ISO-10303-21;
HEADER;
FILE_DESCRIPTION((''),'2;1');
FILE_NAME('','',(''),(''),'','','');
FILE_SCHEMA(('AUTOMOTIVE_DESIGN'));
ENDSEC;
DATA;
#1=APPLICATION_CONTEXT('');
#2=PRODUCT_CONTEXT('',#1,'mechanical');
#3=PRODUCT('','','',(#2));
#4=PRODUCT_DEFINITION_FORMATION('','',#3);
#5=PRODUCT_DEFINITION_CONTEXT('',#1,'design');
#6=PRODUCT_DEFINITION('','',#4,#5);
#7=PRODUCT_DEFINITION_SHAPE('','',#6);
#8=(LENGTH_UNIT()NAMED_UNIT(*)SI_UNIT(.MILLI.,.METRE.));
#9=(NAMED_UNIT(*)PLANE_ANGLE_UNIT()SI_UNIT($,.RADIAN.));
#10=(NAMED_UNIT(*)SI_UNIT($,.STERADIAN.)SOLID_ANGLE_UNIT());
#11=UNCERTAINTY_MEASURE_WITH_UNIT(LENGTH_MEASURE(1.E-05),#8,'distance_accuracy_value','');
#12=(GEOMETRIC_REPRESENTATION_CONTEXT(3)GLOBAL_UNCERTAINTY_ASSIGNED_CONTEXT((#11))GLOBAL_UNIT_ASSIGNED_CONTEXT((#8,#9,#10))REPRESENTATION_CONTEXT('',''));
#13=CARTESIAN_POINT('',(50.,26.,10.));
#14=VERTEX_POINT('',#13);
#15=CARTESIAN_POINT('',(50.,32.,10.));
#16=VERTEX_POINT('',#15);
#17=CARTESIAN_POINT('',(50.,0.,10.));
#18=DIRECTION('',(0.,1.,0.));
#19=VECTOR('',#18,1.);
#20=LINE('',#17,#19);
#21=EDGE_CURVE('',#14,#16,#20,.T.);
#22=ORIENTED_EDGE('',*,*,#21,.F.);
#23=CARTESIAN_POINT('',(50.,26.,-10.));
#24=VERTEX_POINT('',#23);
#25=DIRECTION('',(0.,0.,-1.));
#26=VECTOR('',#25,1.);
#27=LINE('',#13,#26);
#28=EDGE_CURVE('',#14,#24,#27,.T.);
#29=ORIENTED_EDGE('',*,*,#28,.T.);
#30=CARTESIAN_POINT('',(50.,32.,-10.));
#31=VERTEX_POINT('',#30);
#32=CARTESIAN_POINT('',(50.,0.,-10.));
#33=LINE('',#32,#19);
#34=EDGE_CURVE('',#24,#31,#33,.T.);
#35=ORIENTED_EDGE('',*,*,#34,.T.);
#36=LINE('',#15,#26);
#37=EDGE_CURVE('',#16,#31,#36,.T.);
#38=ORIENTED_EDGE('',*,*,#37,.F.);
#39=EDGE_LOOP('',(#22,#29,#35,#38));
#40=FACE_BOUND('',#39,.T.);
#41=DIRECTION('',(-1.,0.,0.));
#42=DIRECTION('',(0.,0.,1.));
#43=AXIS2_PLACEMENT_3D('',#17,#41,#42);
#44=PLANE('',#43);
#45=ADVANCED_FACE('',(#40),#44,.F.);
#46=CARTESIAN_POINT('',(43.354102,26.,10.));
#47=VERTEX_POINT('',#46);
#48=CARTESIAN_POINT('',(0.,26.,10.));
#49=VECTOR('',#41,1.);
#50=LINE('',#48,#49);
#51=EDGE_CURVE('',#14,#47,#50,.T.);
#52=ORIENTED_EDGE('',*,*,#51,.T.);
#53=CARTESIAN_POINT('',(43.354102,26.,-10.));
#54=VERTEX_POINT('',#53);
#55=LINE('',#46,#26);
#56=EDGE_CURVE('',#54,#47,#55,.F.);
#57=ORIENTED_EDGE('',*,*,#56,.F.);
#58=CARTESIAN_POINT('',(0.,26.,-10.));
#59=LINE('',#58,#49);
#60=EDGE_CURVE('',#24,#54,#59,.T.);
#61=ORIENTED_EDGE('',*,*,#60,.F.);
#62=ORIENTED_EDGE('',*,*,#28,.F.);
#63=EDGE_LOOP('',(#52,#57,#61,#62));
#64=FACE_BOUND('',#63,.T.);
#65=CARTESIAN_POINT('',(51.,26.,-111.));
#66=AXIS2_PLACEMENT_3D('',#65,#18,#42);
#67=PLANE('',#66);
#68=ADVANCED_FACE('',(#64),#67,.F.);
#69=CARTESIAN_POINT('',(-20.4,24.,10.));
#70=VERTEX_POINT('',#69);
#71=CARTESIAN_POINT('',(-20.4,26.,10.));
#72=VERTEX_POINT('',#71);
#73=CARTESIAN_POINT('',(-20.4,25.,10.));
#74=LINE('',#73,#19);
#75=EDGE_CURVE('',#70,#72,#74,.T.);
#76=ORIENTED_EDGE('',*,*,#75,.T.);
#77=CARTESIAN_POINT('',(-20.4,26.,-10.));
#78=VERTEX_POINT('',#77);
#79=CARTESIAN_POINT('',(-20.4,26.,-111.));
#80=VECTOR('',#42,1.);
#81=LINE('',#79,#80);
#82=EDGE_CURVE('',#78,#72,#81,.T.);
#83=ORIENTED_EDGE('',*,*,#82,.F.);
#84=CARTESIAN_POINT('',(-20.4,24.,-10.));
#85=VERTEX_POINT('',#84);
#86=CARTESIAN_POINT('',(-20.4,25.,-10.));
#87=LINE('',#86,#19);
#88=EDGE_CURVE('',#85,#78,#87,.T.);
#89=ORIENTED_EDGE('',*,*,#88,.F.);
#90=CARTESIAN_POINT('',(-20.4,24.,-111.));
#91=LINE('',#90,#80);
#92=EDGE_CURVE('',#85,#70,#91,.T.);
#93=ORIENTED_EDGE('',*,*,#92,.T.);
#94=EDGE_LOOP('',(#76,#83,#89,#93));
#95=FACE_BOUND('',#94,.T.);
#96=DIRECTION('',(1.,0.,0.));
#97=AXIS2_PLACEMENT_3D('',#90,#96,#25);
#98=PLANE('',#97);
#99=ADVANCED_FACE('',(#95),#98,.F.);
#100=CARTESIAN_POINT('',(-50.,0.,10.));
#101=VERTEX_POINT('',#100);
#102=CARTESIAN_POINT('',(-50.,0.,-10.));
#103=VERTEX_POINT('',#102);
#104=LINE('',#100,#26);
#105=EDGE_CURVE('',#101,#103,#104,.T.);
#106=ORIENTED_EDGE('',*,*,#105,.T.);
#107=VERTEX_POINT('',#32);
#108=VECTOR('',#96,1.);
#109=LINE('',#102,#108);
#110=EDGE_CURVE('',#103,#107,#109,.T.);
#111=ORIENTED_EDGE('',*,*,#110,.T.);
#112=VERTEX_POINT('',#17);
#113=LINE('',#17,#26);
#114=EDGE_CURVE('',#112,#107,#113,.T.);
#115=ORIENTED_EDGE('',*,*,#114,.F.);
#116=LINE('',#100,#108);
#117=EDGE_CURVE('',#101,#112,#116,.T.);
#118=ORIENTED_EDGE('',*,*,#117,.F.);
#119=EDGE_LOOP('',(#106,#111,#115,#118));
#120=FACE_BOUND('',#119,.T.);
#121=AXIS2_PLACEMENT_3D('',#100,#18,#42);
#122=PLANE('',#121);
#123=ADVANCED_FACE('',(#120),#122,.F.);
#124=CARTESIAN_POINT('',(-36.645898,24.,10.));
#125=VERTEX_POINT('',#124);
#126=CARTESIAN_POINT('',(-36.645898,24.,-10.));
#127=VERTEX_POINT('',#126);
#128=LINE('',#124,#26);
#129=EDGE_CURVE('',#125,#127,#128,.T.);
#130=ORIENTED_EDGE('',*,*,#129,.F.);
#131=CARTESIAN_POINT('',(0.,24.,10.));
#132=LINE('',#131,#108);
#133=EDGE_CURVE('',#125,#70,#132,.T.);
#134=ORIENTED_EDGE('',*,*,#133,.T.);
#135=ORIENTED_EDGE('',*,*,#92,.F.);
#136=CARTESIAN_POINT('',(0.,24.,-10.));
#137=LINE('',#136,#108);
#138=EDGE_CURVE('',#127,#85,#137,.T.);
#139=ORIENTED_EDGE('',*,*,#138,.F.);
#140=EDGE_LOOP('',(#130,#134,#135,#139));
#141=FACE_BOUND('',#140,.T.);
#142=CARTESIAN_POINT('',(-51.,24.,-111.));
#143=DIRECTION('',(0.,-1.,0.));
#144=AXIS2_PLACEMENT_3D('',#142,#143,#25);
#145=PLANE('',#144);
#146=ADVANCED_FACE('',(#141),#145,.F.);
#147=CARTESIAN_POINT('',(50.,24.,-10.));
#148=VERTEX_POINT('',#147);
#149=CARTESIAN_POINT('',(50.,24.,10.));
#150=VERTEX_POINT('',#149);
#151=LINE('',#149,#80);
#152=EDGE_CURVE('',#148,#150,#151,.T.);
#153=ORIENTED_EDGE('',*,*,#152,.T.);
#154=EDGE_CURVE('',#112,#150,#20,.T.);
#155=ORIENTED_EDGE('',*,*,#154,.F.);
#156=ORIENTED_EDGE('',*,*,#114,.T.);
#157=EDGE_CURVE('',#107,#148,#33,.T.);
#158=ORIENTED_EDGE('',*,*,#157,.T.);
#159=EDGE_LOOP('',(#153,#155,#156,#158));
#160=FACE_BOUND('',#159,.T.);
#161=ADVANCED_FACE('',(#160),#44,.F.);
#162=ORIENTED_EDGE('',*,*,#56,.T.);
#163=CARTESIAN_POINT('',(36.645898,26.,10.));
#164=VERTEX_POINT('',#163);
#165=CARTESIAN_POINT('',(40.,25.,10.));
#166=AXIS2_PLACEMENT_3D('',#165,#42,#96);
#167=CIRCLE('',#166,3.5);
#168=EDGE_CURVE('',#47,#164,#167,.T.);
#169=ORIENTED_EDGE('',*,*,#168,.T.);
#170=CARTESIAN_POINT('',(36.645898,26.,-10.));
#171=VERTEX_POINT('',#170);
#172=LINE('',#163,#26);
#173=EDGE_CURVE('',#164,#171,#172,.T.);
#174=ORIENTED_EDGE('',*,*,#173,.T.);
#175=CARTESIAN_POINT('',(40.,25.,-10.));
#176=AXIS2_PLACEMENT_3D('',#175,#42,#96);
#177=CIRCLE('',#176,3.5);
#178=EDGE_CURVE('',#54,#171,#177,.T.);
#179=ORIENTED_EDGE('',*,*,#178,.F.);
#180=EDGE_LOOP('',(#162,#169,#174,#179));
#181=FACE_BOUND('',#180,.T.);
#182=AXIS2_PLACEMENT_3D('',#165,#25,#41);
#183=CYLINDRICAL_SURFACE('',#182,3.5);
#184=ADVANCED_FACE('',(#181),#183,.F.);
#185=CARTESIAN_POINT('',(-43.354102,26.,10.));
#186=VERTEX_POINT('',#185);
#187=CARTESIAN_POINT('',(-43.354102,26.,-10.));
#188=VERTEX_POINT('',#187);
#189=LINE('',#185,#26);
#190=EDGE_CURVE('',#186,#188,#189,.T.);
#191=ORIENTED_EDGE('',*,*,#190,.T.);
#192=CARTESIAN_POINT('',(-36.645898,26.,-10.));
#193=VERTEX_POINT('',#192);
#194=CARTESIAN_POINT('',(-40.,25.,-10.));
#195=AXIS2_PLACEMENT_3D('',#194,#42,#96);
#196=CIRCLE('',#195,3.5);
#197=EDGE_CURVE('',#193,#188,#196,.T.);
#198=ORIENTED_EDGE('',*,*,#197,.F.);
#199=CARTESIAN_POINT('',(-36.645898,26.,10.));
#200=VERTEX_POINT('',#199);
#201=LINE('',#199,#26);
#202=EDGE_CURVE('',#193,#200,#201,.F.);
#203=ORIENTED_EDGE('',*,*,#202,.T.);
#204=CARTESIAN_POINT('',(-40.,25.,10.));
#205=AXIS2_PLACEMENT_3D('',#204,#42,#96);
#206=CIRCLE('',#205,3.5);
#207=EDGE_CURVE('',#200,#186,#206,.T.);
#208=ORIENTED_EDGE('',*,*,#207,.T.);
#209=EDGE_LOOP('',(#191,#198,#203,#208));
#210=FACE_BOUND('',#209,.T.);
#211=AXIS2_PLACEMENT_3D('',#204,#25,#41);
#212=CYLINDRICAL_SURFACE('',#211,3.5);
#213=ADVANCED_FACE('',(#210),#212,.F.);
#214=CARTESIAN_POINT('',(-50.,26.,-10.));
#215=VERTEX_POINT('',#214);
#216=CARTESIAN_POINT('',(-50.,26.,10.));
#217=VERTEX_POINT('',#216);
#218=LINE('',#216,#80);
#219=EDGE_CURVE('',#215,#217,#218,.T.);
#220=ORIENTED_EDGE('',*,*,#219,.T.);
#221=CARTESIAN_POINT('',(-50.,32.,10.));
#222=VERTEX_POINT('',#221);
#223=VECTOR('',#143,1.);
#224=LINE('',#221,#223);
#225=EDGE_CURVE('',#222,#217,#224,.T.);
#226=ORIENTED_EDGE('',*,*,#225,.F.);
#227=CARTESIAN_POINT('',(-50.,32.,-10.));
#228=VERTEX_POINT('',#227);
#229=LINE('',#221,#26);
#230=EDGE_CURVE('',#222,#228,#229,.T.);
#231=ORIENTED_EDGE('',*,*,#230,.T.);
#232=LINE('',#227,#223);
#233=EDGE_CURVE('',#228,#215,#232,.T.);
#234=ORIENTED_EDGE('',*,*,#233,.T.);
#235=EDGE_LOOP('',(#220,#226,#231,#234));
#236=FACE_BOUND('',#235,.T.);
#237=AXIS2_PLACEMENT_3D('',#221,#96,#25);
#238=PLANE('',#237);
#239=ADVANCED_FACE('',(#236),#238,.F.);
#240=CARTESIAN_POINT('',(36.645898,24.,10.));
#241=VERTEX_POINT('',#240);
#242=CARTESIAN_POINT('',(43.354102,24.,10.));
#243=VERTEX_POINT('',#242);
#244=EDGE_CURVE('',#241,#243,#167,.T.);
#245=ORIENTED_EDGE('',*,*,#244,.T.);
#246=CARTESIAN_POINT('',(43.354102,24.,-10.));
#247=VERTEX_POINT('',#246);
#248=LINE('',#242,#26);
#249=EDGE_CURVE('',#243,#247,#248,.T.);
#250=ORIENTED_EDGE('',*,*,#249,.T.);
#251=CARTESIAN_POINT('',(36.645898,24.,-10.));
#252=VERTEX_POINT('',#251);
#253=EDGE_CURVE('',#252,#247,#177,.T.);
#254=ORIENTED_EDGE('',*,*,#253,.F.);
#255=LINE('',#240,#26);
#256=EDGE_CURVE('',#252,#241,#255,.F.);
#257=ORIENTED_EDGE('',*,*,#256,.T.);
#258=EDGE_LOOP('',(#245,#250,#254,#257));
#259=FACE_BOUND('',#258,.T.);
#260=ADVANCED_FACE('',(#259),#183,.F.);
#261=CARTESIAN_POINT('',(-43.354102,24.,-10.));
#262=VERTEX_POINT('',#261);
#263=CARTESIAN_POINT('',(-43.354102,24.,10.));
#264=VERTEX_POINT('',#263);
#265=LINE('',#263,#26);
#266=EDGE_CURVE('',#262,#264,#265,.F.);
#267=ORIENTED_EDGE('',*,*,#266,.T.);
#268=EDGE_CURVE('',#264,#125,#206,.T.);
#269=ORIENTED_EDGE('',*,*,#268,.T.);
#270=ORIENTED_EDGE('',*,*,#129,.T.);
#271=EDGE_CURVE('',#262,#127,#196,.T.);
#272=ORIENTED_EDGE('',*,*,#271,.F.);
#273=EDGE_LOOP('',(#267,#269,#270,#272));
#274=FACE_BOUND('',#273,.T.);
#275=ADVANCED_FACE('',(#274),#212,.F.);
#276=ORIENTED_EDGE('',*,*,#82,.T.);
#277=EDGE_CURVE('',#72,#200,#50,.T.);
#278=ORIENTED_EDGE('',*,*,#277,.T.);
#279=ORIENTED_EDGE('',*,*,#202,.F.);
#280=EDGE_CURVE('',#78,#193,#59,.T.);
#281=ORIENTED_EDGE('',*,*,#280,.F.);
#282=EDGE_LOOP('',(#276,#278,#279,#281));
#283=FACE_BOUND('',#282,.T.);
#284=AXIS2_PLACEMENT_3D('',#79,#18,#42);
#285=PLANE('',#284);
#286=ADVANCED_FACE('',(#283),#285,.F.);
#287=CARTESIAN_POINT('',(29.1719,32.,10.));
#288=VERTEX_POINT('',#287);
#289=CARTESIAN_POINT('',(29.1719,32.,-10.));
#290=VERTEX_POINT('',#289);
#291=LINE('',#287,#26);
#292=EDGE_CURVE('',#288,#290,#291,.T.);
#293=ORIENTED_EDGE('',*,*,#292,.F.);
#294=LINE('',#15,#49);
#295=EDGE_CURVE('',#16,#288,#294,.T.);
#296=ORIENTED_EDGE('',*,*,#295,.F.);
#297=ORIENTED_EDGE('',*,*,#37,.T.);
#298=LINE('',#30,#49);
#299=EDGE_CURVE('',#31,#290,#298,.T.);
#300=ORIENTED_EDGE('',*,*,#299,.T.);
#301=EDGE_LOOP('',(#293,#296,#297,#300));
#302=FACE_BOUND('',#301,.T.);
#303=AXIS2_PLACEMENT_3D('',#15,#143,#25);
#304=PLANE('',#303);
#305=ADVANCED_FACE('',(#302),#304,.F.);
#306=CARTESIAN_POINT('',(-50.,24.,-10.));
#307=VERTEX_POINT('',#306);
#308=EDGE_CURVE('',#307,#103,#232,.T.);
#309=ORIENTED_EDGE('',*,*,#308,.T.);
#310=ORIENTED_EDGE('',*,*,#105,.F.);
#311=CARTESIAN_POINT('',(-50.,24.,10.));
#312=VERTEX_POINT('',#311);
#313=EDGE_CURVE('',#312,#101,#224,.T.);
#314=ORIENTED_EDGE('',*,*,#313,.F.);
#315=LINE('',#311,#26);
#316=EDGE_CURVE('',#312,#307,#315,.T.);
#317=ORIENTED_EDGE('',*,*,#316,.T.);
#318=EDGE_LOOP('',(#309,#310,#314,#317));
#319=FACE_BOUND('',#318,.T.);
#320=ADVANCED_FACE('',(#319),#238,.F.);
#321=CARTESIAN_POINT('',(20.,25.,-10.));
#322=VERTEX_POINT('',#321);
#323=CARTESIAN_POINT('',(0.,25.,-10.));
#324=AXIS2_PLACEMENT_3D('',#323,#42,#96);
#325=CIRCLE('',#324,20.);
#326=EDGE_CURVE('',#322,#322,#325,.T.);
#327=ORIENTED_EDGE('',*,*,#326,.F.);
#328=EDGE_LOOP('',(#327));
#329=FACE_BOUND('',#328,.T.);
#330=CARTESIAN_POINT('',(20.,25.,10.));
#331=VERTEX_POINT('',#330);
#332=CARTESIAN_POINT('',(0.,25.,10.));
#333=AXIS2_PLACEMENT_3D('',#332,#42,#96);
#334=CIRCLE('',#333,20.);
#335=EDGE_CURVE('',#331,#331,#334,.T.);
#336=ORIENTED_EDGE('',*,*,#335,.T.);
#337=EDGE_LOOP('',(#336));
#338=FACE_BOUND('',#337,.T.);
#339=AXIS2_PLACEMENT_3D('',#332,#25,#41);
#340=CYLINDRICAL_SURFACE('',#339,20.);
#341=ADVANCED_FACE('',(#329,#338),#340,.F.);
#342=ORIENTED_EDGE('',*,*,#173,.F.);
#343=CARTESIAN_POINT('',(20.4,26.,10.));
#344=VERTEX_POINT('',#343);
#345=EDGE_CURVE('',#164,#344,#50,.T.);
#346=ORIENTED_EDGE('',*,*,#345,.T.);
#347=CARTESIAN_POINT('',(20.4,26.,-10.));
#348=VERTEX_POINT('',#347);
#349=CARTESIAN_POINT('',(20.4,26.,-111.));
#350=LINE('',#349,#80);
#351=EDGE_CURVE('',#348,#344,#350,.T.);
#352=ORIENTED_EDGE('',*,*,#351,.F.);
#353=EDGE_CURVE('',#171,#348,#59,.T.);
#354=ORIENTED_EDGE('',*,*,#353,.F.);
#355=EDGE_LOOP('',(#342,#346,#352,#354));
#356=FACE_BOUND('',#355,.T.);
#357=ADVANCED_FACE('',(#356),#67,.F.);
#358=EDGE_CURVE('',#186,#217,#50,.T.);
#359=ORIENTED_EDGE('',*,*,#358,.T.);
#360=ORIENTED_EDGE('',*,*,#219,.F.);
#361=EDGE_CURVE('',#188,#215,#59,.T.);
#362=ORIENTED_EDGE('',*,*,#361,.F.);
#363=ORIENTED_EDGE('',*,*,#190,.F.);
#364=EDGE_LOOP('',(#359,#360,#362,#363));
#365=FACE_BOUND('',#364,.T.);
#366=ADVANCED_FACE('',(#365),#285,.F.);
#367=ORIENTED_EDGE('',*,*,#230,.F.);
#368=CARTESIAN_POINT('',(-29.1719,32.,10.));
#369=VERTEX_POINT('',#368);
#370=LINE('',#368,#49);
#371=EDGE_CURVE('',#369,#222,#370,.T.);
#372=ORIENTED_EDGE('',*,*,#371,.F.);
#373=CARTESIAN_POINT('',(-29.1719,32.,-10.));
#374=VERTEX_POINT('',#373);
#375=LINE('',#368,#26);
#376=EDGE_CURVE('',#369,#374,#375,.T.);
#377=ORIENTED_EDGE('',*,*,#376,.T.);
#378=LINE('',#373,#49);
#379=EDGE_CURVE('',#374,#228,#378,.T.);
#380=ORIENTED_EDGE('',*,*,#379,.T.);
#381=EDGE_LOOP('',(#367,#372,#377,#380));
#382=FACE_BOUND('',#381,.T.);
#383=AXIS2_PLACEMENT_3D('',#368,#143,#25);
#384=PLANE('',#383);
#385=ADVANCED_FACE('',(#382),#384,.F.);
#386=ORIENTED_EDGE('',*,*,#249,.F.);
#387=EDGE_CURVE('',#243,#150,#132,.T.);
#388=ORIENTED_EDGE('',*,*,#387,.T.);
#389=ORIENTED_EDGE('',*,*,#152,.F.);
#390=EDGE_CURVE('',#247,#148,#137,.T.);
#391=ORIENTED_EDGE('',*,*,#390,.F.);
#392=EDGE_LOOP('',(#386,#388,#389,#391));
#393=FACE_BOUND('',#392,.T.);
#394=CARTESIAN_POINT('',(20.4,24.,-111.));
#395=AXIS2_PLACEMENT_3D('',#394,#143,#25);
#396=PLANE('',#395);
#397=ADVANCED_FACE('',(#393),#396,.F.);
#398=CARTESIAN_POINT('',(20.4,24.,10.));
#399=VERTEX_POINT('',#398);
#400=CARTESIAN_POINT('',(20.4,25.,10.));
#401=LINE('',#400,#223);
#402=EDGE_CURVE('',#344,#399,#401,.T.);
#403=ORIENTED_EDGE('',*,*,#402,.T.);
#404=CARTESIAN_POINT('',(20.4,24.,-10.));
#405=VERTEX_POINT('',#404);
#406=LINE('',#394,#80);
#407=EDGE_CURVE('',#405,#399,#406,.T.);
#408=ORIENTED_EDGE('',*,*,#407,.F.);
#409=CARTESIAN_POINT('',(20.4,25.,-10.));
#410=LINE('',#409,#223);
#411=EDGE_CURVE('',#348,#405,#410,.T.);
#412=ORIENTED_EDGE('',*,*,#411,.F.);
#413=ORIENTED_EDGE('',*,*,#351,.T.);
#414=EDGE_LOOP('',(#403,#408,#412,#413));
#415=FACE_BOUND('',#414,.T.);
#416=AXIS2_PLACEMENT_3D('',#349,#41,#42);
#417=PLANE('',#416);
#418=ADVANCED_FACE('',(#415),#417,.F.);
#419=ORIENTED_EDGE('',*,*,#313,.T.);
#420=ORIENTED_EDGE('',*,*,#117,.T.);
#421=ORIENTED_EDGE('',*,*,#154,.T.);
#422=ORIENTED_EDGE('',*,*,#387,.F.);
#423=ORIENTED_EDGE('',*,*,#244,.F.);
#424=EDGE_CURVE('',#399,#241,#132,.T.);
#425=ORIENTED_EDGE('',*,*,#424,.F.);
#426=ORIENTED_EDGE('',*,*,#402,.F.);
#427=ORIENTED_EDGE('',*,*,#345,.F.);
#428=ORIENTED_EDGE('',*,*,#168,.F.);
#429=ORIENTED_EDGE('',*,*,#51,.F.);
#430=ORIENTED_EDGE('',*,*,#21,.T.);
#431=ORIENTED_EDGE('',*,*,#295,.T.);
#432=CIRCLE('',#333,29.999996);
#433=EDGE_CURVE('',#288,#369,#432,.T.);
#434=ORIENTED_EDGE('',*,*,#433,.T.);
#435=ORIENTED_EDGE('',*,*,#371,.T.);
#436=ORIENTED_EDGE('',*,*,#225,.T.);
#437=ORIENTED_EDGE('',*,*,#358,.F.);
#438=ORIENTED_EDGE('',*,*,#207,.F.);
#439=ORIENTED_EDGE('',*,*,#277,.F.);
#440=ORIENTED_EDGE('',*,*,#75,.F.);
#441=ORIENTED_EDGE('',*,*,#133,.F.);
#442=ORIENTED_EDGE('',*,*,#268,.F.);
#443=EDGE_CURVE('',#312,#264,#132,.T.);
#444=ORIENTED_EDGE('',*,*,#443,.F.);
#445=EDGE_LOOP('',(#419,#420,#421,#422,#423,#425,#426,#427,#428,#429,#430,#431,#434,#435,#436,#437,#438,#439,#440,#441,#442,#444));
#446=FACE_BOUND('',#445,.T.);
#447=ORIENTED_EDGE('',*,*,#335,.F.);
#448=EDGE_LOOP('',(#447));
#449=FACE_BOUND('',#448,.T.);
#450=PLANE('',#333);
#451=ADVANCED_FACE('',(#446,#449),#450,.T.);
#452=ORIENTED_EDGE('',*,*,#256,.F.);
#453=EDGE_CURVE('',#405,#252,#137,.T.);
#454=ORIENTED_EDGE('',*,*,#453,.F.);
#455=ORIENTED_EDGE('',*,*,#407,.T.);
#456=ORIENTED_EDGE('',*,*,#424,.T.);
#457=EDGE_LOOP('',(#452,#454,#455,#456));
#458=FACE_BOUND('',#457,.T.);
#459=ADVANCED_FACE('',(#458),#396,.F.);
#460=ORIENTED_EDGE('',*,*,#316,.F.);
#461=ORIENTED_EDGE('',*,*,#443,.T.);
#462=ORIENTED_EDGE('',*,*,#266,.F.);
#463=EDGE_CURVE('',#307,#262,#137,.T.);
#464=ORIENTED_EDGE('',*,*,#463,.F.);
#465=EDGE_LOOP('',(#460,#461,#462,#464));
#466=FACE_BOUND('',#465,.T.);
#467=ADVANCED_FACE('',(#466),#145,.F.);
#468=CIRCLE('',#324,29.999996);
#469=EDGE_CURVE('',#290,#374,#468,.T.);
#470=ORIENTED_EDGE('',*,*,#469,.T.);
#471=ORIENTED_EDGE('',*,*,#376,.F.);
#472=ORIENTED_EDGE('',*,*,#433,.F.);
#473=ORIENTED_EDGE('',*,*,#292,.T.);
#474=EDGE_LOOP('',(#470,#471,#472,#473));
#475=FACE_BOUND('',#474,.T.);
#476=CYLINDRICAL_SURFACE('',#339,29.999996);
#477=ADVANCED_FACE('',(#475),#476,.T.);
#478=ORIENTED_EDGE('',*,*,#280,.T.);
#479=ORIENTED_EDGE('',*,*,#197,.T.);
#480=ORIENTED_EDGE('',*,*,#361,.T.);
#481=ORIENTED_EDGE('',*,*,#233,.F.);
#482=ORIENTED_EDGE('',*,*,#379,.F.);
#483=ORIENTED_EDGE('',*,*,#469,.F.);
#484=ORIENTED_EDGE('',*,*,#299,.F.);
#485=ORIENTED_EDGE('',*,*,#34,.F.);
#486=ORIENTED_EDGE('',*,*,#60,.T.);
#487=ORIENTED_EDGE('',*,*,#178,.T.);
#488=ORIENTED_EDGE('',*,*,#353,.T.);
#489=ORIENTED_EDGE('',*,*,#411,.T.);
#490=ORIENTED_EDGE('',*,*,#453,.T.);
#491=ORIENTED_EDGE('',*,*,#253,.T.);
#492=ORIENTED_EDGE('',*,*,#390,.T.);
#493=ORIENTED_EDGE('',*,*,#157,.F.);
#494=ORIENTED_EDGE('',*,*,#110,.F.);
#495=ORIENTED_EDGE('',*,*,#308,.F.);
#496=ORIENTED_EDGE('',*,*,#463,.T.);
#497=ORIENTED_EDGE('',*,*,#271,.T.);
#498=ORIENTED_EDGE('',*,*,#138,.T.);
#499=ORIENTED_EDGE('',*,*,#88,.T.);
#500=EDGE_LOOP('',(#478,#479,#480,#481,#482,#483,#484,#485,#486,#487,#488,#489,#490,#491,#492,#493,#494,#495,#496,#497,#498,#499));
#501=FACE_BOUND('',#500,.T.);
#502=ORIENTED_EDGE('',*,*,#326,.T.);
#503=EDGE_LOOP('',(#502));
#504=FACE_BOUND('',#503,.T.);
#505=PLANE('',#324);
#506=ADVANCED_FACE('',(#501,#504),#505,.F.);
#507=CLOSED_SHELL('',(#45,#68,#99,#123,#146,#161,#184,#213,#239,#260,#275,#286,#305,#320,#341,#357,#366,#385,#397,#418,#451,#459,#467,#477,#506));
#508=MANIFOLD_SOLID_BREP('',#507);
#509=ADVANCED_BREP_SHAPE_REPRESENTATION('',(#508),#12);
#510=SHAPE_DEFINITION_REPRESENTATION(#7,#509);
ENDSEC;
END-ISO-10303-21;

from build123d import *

# Parameters (mm, degrees)
SKETCH_6_R          = 20
EXTRUDE_6_DEPTH     = 20
SKETCH_8_W          = 30.6
SKETCH_8_H          = 2
CUT_EXTRUDE_2_DEPTH = 101
SKETCH_9_R          = 3.5
CUT_EXTRUDE_3_DEPTH = 77.97401861


with BuildPart() as part:
    # 草图6 → 凸台-拉伸6 (new body)
    with BuildSketch(Plane.XY.offset(-10)):
        with BuildLine():
            Line((-50, 0), (50, 0))
            Line((50, 0), (50, 32))
            Line((50, 32), (29.1719, 32))
            ThreePointArc((29.1719, 32), (0, 54.999995827), (-29.1719, 32))
            Line((-29.1719, 32), (-50, 32))
            Line((-50, 32), (-50, 0))
        make_face()
        with Locations((0, 25)):
            Circle(SKETCH_6_R, mode=Mode.SUBTRACT)
    extrude(amount=EXTRUDE_6_DEPTH)

    # 草图8 → 切除-拉伸2 (cut, symmetric)
    with BuildSketch(Plane.XY.offset(-10)):
        with Locations((35.7, 25)):
            Rectangle(SKETCH_8_W, SKETCH_8_H)
        with Locations((-35.7, 25)):
            Rectangle(SKETCH_8_W, SKETCH_8_H)
    extrude(amount=CUT_EXTRUDE_2_DEPTH, both=True, mode=Mode.SUBTRACT)

    # 草图9 → 切除-拉伸3 (cut, through all)
    with BuildSketch(Plane.XY.offset(-10)):
        with Locations((-40, 25)):
            Circle(SKETCH_9_R)
        with Locations((40, 25)):
            Circle(SKETCH_9_R)
    extrude(amount=CUT_EXTRUDE_3_DEPTH, mode=Mode.SUBTRACT)


solid = part.part
